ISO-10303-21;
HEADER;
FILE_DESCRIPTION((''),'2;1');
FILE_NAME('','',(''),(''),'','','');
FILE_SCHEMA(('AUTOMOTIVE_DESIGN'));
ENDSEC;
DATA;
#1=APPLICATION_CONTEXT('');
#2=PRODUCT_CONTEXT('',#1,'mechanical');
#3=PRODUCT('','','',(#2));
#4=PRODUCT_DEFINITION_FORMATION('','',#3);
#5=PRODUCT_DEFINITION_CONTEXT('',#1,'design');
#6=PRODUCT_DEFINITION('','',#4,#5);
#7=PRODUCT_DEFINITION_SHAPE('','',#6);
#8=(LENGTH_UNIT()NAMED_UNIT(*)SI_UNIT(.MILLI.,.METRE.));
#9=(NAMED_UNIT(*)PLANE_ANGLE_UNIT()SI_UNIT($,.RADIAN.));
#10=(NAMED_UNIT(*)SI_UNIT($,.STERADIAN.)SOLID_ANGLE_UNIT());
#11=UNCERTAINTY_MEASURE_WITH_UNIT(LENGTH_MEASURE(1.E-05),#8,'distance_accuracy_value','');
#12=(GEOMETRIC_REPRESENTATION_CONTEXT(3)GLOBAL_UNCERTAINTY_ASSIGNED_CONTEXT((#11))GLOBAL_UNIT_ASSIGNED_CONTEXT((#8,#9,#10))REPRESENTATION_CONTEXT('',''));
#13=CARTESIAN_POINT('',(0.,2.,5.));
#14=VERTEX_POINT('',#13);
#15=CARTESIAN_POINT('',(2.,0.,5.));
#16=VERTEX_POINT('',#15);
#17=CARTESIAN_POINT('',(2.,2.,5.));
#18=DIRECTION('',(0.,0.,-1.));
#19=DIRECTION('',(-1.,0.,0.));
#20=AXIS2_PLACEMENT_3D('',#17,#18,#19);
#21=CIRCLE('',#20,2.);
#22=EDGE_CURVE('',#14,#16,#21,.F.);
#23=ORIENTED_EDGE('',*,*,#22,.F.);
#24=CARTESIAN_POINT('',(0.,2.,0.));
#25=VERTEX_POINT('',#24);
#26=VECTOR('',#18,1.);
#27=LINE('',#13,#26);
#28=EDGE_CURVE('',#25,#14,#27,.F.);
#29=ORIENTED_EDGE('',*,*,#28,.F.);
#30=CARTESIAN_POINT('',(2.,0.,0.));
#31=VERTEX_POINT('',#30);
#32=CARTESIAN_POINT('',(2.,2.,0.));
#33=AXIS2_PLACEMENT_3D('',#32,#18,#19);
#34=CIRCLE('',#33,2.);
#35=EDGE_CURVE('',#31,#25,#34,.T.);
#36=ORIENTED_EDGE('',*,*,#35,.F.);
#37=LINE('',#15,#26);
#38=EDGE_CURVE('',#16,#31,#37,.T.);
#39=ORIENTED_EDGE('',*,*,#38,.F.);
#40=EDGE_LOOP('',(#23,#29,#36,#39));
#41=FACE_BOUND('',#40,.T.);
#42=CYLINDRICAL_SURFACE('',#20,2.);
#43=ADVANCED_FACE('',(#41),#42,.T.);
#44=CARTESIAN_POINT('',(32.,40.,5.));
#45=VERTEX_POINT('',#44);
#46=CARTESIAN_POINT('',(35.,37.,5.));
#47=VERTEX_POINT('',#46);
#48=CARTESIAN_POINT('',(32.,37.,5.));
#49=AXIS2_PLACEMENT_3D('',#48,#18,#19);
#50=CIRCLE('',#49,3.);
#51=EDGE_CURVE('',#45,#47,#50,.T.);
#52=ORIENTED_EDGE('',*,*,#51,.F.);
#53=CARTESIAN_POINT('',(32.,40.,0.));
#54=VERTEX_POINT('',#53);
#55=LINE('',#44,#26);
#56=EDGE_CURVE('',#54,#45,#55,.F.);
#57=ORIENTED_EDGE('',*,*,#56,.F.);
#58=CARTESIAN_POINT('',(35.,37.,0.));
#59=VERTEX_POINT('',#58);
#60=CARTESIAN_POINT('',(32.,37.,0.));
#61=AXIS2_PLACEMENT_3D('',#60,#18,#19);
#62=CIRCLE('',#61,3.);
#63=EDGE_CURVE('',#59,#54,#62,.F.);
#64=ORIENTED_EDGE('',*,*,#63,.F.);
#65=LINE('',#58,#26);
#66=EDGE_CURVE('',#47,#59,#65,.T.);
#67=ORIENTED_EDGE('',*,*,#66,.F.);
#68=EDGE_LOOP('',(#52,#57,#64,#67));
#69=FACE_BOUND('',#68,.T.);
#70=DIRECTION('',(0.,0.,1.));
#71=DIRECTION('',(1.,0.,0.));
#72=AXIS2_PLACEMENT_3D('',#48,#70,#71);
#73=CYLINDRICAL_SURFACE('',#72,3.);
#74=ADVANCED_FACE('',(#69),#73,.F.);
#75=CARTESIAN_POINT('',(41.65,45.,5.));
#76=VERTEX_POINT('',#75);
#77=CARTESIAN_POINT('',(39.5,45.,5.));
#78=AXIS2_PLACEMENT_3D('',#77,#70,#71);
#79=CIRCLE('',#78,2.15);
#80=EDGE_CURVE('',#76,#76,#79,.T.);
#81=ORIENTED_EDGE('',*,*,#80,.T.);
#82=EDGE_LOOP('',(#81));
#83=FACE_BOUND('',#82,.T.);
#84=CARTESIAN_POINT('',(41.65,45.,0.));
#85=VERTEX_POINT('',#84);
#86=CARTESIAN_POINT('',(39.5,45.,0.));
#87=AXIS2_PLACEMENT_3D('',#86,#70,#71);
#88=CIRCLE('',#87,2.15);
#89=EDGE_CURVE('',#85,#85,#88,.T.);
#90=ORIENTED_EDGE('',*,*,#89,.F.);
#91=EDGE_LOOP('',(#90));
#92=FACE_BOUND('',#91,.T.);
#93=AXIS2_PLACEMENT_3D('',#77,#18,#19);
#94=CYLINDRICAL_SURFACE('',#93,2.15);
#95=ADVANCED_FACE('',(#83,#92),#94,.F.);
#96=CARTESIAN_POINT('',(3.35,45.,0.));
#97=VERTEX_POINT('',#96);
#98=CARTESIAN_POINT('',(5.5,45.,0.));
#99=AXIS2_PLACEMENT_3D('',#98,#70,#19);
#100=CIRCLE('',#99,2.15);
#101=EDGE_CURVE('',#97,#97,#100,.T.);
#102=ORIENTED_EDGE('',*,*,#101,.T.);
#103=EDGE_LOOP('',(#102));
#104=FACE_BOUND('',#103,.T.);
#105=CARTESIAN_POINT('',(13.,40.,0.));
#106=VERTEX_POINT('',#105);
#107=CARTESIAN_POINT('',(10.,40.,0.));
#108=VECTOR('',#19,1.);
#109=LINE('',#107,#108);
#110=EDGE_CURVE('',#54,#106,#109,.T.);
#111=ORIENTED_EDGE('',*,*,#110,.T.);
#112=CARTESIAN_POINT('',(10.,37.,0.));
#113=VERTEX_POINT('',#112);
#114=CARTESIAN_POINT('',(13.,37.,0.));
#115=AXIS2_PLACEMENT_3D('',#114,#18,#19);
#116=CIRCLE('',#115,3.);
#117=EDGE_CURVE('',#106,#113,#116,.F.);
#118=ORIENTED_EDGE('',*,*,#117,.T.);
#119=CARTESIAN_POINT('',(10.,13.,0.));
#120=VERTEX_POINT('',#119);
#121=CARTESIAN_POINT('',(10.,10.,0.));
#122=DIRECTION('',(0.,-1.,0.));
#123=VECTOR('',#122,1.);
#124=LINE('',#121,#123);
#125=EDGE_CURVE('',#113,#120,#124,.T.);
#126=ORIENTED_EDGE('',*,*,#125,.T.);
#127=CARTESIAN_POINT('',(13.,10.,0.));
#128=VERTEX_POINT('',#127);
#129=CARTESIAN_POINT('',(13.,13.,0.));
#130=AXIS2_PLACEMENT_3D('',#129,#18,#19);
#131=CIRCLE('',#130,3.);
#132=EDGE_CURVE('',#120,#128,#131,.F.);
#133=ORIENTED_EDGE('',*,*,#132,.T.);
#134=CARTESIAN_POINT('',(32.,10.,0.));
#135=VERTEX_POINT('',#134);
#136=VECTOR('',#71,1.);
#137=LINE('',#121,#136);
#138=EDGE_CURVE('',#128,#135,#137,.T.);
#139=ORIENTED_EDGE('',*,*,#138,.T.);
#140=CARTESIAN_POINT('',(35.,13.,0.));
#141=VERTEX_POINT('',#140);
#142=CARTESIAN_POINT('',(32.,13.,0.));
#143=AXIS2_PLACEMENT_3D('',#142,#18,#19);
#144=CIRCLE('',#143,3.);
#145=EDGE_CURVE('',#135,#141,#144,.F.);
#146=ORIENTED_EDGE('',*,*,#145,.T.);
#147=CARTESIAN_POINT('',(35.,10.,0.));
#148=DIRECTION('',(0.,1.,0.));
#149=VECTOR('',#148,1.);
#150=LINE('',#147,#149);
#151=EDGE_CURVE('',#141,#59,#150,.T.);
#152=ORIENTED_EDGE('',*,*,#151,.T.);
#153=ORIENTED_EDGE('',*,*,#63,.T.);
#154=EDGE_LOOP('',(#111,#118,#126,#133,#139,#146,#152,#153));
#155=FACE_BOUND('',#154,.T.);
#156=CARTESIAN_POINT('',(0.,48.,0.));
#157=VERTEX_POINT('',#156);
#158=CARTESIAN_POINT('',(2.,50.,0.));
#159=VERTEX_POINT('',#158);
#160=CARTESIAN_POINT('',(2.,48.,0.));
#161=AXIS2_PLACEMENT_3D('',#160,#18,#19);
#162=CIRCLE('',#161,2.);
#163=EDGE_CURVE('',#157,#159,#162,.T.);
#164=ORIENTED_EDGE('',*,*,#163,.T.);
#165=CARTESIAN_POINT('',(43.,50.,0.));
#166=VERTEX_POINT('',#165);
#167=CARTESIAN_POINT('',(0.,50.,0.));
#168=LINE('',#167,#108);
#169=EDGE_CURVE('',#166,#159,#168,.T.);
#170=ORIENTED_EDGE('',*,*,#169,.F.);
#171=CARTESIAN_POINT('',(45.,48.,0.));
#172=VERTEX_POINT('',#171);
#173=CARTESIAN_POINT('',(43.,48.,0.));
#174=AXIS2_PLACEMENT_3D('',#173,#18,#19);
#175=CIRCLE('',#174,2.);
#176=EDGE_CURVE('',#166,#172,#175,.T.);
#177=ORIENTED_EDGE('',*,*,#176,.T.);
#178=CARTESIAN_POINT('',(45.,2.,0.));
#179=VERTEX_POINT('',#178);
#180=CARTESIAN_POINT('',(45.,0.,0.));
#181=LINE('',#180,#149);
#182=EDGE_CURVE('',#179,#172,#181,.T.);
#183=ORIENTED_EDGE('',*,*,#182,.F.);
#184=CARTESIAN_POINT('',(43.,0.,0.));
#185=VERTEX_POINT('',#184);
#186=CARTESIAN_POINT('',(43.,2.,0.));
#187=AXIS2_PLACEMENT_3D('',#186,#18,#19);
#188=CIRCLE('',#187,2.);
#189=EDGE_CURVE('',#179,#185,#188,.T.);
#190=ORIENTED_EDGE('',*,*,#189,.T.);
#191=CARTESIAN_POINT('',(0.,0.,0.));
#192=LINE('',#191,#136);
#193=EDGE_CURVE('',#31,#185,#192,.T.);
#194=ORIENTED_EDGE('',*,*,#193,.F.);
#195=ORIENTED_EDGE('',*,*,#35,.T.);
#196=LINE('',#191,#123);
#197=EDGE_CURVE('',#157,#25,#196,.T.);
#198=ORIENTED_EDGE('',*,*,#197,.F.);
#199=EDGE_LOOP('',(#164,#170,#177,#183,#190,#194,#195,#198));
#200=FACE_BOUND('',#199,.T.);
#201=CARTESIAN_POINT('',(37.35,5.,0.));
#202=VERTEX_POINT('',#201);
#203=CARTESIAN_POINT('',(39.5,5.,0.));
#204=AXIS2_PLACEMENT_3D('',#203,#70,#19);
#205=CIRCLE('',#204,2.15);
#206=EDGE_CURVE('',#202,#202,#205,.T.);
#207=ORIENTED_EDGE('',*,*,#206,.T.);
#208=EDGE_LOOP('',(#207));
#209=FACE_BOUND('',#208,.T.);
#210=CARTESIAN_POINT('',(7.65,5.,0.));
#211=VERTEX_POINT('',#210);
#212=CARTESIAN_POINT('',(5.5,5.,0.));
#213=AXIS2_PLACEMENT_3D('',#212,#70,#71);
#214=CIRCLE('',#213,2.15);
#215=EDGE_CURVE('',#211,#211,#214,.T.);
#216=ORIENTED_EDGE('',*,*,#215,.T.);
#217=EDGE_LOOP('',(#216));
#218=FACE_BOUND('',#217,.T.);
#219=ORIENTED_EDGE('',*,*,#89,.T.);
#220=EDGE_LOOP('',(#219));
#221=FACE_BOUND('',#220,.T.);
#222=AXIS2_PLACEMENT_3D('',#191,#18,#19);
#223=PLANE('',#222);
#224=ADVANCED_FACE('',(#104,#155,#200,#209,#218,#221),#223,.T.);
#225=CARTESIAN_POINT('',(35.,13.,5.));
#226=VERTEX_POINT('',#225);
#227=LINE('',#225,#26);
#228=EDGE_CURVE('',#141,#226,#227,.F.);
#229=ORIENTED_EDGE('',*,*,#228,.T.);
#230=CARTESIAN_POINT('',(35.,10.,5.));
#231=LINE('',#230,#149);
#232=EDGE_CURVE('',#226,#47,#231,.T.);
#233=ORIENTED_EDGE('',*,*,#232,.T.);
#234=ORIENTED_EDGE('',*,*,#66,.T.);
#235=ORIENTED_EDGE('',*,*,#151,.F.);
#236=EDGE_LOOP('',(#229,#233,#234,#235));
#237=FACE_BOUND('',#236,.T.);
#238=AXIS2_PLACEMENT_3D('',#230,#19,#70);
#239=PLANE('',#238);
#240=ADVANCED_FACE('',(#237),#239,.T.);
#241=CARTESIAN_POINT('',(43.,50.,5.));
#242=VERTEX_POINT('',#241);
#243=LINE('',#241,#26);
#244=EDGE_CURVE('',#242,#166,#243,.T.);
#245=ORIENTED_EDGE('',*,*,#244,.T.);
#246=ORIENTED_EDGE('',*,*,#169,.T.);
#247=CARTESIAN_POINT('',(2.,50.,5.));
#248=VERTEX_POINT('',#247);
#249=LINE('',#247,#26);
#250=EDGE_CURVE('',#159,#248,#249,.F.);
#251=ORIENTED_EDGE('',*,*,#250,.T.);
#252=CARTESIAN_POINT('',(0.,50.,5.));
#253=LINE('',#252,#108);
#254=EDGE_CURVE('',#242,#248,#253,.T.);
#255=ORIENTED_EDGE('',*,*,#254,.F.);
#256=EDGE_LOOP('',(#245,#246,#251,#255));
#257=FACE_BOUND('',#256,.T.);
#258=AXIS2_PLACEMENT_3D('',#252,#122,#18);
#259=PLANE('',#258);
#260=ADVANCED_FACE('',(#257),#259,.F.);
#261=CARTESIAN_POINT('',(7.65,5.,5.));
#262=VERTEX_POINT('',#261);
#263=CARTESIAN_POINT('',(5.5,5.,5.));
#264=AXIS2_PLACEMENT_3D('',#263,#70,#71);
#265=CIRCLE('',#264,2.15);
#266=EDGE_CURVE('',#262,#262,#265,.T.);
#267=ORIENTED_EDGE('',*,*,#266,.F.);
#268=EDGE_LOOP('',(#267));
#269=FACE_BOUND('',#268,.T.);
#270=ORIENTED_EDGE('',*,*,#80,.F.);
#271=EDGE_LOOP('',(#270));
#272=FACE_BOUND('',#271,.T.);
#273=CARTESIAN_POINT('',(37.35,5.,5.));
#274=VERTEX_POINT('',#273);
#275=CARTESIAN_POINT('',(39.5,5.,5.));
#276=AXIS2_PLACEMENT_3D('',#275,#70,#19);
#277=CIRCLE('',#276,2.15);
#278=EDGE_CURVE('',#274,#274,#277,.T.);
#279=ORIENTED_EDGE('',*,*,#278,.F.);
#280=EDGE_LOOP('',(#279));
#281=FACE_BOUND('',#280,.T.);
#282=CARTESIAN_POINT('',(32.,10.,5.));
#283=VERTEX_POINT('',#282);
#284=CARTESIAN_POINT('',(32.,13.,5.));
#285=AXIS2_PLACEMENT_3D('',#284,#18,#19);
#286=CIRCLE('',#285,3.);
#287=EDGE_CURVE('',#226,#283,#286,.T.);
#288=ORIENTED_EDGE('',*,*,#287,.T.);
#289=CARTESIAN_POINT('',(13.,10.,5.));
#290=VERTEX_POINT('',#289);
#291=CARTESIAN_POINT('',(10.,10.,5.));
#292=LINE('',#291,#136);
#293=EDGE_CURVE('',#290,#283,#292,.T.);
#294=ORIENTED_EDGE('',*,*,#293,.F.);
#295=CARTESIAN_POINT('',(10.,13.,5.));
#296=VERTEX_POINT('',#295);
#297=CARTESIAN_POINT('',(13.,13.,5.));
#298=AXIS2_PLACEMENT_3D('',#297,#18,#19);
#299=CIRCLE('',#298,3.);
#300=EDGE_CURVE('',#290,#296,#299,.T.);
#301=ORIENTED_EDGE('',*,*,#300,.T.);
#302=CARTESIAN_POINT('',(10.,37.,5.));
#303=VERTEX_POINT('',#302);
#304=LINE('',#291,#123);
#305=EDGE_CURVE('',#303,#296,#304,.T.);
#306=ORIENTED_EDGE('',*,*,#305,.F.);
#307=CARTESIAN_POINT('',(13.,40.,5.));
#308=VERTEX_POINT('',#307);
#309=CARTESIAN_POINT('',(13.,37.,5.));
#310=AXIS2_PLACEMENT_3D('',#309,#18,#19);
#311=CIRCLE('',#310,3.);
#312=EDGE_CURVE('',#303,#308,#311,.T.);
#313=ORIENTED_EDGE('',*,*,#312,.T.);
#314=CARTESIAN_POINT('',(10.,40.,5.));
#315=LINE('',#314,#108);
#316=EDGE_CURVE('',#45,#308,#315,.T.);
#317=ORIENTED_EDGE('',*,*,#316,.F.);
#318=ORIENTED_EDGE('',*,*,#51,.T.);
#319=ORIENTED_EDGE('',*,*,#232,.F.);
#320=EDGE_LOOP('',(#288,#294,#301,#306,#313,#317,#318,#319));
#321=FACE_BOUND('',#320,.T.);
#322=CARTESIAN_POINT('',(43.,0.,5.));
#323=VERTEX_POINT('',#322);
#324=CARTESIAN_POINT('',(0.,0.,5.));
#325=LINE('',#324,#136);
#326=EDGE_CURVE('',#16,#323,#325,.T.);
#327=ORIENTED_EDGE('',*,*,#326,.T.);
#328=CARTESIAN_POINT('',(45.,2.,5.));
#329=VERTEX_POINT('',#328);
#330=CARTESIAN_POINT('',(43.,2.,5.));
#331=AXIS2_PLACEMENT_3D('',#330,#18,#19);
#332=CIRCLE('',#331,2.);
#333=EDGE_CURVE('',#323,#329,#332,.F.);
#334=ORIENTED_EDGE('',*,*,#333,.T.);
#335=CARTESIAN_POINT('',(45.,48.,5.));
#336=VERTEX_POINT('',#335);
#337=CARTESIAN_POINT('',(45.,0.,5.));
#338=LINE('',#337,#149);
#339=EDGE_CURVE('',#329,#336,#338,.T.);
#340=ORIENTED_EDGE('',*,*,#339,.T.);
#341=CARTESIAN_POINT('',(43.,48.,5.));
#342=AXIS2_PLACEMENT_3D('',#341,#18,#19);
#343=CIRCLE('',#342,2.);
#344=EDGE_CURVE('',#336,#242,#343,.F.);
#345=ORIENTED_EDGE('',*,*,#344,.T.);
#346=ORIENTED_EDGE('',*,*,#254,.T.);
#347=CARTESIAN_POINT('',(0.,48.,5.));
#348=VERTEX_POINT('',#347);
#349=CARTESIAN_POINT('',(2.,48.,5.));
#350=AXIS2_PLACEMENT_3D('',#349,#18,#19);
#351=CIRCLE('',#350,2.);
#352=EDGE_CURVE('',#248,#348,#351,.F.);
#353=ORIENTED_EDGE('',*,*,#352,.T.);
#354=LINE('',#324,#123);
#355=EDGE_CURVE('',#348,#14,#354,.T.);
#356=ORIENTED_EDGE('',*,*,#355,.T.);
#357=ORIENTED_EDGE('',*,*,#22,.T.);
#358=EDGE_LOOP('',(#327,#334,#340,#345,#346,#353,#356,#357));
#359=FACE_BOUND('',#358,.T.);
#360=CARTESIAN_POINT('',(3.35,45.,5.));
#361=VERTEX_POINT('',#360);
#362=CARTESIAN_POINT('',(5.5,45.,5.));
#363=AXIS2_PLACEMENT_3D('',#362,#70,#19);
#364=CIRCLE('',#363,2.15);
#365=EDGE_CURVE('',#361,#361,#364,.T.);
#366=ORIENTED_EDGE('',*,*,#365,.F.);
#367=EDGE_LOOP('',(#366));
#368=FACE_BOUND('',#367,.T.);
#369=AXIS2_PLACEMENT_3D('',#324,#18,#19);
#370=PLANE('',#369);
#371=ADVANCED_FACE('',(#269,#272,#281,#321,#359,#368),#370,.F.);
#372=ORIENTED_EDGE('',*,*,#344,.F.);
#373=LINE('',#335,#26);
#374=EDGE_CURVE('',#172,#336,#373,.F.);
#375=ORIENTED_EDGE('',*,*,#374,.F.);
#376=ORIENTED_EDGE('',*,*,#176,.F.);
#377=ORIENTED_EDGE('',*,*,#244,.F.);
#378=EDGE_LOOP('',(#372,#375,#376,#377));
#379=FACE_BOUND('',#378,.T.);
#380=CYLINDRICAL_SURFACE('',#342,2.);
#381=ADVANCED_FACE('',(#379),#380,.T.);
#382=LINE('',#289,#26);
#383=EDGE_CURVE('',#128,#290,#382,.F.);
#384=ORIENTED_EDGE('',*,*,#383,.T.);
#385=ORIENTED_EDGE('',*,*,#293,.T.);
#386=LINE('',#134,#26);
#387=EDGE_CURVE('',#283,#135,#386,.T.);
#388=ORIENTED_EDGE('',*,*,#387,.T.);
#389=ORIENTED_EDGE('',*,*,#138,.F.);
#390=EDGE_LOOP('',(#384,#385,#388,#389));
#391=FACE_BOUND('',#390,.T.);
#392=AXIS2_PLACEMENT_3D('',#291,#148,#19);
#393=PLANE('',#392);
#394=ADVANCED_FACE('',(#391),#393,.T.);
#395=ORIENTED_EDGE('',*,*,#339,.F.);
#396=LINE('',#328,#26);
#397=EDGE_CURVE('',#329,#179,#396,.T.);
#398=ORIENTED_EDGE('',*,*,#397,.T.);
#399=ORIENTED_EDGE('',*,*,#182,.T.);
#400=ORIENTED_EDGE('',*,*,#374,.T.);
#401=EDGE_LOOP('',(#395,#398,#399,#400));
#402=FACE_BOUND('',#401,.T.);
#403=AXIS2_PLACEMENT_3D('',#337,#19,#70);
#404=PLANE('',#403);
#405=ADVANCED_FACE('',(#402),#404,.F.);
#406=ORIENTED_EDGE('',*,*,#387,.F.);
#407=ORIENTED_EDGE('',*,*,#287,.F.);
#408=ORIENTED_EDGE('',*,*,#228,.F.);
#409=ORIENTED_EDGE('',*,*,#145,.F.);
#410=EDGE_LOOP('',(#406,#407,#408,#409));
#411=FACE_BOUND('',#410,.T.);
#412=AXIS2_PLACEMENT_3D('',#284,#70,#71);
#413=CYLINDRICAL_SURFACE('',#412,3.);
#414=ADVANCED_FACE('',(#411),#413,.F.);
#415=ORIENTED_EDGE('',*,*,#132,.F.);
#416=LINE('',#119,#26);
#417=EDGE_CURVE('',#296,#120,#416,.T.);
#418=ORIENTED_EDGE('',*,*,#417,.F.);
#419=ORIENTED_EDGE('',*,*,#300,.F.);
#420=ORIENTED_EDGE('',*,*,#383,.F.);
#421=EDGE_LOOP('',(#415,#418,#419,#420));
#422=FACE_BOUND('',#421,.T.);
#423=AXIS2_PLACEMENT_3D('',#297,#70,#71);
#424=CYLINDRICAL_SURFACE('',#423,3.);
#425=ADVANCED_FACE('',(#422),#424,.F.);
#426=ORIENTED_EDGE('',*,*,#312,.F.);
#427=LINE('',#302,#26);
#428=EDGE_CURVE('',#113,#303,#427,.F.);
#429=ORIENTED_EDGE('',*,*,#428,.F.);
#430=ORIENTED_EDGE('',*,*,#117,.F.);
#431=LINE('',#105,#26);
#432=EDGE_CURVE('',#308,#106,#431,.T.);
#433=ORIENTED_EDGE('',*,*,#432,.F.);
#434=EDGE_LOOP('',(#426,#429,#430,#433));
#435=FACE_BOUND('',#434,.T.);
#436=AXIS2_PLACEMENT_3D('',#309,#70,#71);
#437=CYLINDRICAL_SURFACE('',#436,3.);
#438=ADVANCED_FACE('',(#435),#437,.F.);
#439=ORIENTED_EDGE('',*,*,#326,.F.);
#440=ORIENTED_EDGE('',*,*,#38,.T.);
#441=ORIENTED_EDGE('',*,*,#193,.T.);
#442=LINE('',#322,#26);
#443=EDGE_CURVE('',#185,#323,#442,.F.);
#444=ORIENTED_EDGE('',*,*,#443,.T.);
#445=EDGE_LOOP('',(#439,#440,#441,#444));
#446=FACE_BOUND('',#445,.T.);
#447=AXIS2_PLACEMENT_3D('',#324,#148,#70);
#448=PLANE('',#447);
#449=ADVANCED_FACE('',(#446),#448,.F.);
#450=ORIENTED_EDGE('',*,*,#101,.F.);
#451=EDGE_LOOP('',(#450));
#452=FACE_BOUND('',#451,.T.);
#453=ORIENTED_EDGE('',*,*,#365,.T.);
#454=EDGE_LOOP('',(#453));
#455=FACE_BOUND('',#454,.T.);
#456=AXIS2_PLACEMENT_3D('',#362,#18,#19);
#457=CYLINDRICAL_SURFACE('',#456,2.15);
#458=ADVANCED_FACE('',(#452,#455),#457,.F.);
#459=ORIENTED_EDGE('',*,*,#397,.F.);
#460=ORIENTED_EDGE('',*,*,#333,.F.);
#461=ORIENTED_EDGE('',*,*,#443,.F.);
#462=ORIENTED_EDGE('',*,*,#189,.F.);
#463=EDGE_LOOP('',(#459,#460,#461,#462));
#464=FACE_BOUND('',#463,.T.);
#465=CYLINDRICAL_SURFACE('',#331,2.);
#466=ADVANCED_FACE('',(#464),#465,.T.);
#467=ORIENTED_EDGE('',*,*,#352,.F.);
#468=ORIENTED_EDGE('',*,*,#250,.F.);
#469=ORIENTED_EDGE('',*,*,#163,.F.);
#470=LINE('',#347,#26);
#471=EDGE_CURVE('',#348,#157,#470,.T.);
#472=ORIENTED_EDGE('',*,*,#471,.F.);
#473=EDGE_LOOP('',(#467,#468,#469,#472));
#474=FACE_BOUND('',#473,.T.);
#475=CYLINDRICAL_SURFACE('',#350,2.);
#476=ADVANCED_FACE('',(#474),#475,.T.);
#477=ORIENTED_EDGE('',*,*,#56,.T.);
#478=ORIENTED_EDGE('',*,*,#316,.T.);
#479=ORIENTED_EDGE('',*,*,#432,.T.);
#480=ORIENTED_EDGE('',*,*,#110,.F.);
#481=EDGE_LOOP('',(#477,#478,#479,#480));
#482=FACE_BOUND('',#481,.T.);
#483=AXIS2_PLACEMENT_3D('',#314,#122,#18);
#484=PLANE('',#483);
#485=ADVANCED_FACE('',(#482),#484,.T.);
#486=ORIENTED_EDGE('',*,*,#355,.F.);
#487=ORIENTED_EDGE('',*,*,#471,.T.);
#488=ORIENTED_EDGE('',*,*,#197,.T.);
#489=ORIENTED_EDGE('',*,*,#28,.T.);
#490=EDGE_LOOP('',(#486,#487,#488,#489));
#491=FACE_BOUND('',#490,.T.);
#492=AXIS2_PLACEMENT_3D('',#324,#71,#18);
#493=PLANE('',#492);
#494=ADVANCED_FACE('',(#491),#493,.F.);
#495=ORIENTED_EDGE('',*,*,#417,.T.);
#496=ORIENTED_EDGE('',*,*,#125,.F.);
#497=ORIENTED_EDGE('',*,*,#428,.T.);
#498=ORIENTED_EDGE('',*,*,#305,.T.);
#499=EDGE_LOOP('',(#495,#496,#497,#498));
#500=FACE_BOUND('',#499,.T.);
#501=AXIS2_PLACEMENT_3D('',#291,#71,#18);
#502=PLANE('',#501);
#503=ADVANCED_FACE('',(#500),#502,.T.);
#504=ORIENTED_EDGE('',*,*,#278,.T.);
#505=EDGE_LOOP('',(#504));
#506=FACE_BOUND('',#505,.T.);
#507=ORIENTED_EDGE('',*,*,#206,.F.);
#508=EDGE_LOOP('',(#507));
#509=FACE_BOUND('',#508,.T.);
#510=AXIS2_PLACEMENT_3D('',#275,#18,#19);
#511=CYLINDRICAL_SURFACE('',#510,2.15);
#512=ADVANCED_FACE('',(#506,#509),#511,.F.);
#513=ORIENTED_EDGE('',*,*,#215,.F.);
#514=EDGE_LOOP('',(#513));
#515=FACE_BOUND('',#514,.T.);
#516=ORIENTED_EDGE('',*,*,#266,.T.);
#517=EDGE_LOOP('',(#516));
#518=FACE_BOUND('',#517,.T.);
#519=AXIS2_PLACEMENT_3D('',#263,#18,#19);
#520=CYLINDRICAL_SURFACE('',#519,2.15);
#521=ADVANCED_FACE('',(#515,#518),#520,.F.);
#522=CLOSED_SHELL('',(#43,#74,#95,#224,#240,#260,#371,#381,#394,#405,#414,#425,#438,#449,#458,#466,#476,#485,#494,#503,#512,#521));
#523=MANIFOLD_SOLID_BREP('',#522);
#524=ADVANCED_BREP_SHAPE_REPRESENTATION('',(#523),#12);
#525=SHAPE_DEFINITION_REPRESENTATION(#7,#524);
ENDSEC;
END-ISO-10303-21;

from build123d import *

# Parameters (mm, degrees)
SKETCH_1_W      = 45
SKETCH_1_H      = 50
SKETCH_1_R      = 2.15
SKETCH_1_W_2    = 25
SKETCH_1_H_2    = 30
EXTRUDE_1_DEPTH = 5
FILLET_1_R      = 2
FILLET_2_R      = 3


with BuildPart() as part:
    # ｽｹｯﾁ1 → ﾎﾞｽ - 押し出し1 (new body)
    with BuildSketch(Plane.XY):
        with Locations((22.5, 25)):
            Rectangle(SKETCH_1_W, SKETCH_1_H)
        with Locations((5.5, 5)):
            Circle(SKETCH_1_R, mode=Mode.SUBTRACT)
        with Locations(Location((5.5, 45, 0), (0, 0, 180))):
            Circle(SKETCH_1_R, mode=Mode.SUBTRACT)
        with Locations(Location((39.5, 5, 0), (0, 0, 180))):
            Circle(SKETCH_1_R, mode=Mode.SUBTRACT)
        with Locations((39.5, 45)):
            Circle(SKETCH_1_R, mode=Mode.SUBTRACT)
        with Locations((22.5, 25)):
            Rectangle(SKETCH_1_W_2, SKETCH_1_H_2, mode=Mode.SUBTRACT)
    extrude(amount=EXTRUDE_1_DEPTH)

    # ﾌｨﾚｯﾄ1
    fillet_1_edges = [part.edges().sort_by_distance(p)[0] for p in [
        (0, 50, 2.5),
        (45, 50, 2.5),
        (45, 0, 2.5),
        (0, 0, 2.5),
    ]]
    fillet(fillet_1_edges, radius=FILLET_1_R)

    # ﾌｨﾚｯﾄ2
    fillet_2_edges = [part.edges().sort_by_distance(p)[0] for p in [
        (35, 10, 2.5),
        (35, 40, 2.5),
        (10, 40, 2.5),
        (10, 10, 2.5),
    ]]
    fillet(fillet_2_edges, radius=FILLET_2_R)


solid = part.part
